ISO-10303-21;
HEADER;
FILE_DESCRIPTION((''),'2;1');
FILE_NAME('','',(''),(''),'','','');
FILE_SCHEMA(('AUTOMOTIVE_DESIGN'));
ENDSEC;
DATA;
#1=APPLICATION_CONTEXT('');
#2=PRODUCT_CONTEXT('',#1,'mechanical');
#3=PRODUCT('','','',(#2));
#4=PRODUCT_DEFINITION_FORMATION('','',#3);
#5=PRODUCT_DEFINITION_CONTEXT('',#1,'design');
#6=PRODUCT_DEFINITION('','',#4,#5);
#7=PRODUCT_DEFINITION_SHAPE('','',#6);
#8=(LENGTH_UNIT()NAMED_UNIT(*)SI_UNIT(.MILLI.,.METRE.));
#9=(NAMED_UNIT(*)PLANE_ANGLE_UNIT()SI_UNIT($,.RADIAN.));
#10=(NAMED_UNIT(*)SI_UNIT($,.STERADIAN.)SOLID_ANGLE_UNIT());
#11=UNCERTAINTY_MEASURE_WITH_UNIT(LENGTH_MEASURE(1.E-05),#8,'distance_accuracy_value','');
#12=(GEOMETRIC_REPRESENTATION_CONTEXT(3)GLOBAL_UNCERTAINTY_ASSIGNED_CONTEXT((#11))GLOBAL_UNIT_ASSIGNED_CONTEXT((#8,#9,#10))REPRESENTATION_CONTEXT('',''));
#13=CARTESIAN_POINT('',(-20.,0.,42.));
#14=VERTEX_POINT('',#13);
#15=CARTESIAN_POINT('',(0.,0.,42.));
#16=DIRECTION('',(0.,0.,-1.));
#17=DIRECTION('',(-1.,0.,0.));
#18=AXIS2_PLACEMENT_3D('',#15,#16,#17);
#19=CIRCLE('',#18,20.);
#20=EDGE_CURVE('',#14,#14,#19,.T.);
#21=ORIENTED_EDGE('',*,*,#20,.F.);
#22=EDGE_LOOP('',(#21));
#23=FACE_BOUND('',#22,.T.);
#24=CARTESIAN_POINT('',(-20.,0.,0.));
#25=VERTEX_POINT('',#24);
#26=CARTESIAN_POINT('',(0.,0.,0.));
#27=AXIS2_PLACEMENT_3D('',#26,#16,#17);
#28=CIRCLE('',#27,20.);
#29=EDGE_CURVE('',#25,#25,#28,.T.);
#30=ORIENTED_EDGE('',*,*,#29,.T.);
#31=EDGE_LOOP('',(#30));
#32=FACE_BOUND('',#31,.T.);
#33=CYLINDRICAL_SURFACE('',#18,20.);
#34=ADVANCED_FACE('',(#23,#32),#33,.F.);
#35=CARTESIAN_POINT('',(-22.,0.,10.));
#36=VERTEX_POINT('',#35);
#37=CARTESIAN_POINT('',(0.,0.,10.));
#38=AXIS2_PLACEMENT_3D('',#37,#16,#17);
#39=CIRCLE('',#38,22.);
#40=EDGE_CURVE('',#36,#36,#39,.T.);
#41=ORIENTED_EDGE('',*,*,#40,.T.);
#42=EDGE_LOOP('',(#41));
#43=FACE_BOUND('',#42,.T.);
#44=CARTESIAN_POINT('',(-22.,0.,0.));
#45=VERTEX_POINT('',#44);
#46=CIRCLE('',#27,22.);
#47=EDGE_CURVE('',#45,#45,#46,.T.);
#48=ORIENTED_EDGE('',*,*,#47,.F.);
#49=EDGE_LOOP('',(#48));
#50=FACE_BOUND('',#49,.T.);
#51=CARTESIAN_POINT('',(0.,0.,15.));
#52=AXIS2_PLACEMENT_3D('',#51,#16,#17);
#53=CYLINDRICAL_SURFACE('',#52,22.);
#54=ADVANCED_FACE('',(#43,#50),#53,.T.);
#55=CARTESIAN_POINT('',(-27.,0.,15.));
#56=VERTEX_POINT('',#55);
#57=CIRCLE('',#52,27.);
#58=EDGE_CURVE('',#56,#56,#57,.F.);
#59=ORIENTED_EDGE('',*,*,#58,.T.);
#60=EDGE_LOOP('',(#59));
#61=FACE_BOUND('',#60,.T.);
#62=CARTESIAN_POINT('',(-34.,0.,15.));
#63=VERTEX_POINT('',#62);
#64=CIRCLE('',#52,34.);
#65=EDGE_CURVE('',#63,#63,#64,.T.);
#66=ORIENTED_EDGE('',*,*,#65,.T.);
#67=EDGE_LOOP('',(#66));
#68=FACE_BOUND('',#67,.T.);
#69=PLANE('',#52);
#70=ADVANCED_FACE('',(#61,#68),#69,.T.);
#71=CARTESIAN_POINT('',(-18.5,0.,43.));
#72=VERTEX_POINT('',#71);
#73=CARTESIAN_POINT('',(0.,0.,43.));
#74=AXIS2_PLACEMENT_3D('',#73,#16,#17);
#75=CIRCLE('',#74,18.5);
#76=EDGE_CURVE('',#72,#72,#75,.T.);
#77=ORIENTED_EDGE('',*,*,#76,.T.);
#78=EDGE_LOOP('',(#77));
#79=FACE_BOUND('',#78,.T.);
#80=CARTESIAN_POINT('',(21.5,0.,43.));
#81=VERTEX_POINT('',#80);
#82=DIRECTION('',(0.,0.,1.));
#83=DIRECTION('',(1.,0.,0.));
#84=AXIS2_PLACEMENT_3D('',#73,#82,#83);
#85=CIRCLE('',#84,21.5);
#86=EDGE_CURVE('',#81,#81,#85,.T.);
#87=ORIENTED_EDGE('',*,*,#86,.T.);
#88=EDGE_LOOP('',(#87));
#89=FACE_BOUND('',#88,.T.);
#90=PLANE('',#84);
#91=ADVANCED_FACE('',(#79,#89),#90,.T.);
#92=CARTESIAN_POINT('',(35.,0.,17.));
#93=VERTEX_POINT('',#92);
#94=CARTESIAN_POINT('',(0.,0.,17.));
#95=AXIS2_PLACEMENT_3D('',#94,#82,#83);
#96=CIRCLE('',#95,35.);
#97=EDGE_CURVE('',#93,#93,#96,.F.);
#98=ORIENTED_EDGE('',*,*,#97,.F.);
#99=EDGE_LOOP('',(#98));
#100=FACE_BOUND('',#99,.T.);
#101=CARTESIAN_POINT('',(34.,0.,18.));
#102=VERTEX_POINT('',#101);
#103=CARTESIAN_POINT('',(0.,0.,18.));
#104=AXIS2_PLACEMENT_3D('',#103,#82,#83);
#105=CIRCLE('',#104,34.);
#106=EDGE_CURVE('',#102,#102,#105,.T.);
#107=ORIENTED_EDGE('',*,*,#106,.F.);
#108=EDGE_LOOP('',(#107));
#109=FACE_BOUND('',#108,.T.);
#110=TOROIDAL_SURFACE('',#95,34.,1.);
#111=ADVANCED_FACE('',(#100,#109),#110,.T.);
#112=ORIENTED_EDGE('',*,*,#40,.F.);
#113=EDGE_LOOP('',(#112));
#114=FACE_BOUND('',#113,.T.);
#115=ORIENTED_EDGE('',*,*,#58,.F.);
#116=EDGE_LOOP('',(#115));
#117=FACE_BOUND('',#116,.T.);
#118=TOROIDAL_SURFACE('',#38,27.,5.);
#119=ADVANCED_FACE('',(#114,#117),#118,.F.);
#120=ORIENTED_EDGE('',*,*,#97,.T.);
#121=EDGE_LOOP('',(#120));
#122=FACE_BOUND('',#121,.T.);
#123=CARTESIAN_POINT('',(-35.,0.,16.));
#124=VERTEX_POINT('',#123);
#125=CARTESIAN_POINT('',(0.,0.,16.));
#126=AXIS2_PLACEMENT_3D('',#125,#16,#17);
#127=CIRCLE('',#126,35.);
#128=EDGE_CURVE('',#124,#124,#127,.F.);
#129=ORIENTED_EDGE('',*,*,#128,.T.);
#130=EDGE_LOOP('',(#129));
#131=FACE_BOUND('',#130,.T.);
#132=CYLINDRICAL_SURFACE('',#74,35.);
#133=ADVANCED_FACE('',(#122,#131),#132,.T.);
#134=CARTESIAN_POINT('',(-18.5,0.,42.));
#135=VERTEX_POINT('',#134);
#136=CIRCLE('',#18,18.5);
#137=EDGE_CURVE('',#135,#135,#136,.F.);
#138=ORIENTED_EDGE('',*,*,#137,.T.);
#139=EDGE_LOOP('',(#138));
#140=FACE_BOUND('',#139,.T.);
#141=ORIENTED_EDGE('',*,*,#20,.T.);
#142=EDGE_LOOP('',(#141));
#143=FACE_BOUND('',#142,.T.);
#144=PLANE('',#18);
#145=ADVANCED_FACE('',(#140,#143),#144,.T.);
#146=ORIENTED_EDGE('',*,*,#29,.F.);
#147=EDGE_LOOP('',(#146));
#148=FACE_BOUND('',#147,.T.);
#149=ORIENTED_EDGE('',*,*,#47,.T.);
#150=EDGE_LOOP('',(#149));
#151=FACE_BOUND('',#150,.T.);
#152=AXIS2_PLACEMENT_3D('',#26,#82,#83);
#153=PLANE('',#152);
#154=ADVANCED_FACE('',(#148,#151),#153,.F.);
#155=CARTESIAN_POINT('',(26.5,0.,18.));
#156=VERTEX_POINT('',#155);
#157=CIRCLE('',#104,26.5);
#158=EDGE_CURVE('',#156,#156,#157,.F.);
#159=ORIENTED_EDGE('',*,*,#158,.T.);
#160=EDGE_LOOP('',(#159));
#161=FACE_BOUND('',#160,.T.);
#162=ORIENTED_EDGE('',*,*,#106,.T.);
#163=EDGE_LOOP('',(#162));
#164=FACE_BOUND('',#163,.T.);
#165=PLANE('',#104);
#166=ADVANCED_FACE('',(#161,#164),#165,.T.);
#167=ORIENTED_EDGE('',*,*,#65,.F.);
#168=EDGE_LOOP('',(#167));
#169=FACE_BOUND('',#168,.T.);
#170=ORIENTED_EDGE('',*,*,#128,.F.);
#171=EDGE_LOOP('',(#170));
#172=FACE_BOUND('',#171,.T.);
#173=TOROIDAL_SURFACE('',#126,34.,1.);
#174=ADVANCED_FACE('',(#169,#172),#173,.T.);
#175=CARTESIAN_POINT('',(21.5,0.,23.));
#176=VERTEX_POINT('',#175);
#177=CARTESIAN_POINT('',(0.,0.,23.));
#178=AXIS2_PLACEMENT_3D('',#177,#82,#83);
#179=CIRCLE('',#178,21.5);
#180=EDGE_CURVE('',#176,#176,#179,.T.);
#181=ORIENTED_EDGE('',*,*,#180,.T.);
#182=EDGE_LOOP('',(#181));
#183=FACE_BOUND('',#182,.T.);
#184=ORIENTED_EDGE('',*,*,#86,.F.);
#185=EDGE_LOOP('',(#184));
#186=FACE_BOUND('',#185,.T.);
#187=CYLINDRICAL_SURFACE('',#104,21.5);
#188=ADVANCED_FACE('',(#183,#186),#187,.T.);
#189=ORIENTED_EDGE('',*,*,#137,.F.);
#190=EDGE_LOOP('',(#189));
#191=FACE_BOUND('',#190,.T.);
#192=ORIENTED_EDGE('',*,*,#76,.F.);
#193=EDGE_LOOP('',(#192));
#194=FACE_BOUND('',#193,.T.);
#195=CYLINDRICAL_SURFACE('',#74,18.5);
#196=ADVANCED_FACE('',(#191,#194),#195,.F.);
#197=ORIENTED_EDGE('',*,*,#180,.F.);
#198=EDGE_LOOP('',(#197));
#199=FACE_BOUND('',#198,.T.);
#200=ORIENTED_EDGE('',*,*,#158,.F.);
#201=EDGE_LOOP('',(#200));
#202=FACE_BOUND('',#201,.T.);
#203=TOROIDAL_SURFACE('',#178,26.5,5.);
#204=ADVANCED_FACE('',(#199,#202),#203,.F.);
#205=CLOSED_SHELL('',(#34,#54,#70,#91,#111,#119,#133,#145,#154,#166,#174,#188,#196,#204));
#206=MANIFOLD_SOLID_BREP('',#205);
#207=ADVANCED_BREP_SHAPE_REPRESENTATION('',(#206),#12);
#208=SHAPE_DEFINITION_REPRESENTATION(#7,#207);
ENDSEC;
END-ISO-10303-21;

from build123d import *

# Parameters (mm, degrees)
SKETCH_1_R          = 35
EXTRUDE_1_DEPTH     = 43
SKETCH_2_R          = 35
SKETCH_2_R_2        = 22
CUT_EXTRUDE_1_DEPTH = 15
SKETCH_3_R          = 35
SKETCH_3_R_2        = 21.5
CUT_EXTRUDE_2_DEPTH = 25
SKETCH_4_R          = 18.5
CUT_EXTRUDE_3_DEPTH = 44
SKETCH_5_R          = 20
CUT_EXTRUDE_4_DEPTH = 42
FILLET_1_R          = 5
FILLET_2_R          = 1


with BuildPart() as part:
    # ｽｹｯﾁ1 → ﾎﾞｽ - 押し出し1 (new body)
    with BuildSketch(Plane.XY):
        Circle(SKETCH_1_R)
    extrude(amount=EXTRUDE_1_DEPTH)

    # ｽｹｯﾁ2 → ｶｯﾄ - 押し出し1 (cut)
    with BuildSketch(Plane(origin=(0, 0, 0), x_dir=(-1, 0, 0), z_dir=(0, 0, -1))):
        Circle(SKETCH_2_R)
        Circle(SKETCH_2_R_2, mode=Mode.SUBTRACT)
    extrude(amount=-CUT_EXTRUDE_1_DEPTH, mode=Mode.SUBTRACT)

    # ｽｹｯﾁ3 → ｶｯﾄ - 押し出し2 (cut)
    with BuildSketch(Plane.XY.offset(43)):
        Circle(SKETCH_3_R)
        Circle(SKETCH_3_R_2, mode=Mode.SUBTRACT)
    extrude(amount=-CUT_EXTRUDE_2_DEPTH, mode=Mode.SUBTRACT)

    # ｽｹｯﾁ4 → ｶｯﾄ - 押し出し3 (cut, through all)
    with BuildSketch(Plane(origin=(0, 0, 0), x_dir=(-1, 0, 0), z_dir=(0, 0, -1))):
        Circle(SKETCH_4_R)
    extrude(amount=-CUT_EXTRUDE_3_DEPTH, mode=Mode.SUBTRACT)

    # ｽｹｯﾁ5 → ｶｯﾄ - 押し出し4 (cut)
    with BuildSketch(Plane(origin=(0, 0, 0), x_dir=(-1, 0, 0), z_dir=(0, 0, -1))):
        Circle(SKETCH_5_R)
    extrude(amount=-CUT_EXTRUDE_4_DEPTH, mode=Mode.SUBTRACT)

    # ﾌｨﾚｯﾄ1
    fillet_1_edges = [part.edges().sort_by_distance(p)[0] for p in [
        (-21.5, 0, 18),
        (22, 0, 15),
    ]]
    fillet(fillet_1_edges, radius=FILLET_1_R)

    # ﾌｨﾚｯﾄ2
    fillet_2_edges = [part.edges().sort_by_distance(p)[0] for p in [
        (-35, 0, 18),
        (-35, 0, 15),
    ]]
    fillet(fillet_2_edges, radius=FILLET_2_R)


solid = part.part
